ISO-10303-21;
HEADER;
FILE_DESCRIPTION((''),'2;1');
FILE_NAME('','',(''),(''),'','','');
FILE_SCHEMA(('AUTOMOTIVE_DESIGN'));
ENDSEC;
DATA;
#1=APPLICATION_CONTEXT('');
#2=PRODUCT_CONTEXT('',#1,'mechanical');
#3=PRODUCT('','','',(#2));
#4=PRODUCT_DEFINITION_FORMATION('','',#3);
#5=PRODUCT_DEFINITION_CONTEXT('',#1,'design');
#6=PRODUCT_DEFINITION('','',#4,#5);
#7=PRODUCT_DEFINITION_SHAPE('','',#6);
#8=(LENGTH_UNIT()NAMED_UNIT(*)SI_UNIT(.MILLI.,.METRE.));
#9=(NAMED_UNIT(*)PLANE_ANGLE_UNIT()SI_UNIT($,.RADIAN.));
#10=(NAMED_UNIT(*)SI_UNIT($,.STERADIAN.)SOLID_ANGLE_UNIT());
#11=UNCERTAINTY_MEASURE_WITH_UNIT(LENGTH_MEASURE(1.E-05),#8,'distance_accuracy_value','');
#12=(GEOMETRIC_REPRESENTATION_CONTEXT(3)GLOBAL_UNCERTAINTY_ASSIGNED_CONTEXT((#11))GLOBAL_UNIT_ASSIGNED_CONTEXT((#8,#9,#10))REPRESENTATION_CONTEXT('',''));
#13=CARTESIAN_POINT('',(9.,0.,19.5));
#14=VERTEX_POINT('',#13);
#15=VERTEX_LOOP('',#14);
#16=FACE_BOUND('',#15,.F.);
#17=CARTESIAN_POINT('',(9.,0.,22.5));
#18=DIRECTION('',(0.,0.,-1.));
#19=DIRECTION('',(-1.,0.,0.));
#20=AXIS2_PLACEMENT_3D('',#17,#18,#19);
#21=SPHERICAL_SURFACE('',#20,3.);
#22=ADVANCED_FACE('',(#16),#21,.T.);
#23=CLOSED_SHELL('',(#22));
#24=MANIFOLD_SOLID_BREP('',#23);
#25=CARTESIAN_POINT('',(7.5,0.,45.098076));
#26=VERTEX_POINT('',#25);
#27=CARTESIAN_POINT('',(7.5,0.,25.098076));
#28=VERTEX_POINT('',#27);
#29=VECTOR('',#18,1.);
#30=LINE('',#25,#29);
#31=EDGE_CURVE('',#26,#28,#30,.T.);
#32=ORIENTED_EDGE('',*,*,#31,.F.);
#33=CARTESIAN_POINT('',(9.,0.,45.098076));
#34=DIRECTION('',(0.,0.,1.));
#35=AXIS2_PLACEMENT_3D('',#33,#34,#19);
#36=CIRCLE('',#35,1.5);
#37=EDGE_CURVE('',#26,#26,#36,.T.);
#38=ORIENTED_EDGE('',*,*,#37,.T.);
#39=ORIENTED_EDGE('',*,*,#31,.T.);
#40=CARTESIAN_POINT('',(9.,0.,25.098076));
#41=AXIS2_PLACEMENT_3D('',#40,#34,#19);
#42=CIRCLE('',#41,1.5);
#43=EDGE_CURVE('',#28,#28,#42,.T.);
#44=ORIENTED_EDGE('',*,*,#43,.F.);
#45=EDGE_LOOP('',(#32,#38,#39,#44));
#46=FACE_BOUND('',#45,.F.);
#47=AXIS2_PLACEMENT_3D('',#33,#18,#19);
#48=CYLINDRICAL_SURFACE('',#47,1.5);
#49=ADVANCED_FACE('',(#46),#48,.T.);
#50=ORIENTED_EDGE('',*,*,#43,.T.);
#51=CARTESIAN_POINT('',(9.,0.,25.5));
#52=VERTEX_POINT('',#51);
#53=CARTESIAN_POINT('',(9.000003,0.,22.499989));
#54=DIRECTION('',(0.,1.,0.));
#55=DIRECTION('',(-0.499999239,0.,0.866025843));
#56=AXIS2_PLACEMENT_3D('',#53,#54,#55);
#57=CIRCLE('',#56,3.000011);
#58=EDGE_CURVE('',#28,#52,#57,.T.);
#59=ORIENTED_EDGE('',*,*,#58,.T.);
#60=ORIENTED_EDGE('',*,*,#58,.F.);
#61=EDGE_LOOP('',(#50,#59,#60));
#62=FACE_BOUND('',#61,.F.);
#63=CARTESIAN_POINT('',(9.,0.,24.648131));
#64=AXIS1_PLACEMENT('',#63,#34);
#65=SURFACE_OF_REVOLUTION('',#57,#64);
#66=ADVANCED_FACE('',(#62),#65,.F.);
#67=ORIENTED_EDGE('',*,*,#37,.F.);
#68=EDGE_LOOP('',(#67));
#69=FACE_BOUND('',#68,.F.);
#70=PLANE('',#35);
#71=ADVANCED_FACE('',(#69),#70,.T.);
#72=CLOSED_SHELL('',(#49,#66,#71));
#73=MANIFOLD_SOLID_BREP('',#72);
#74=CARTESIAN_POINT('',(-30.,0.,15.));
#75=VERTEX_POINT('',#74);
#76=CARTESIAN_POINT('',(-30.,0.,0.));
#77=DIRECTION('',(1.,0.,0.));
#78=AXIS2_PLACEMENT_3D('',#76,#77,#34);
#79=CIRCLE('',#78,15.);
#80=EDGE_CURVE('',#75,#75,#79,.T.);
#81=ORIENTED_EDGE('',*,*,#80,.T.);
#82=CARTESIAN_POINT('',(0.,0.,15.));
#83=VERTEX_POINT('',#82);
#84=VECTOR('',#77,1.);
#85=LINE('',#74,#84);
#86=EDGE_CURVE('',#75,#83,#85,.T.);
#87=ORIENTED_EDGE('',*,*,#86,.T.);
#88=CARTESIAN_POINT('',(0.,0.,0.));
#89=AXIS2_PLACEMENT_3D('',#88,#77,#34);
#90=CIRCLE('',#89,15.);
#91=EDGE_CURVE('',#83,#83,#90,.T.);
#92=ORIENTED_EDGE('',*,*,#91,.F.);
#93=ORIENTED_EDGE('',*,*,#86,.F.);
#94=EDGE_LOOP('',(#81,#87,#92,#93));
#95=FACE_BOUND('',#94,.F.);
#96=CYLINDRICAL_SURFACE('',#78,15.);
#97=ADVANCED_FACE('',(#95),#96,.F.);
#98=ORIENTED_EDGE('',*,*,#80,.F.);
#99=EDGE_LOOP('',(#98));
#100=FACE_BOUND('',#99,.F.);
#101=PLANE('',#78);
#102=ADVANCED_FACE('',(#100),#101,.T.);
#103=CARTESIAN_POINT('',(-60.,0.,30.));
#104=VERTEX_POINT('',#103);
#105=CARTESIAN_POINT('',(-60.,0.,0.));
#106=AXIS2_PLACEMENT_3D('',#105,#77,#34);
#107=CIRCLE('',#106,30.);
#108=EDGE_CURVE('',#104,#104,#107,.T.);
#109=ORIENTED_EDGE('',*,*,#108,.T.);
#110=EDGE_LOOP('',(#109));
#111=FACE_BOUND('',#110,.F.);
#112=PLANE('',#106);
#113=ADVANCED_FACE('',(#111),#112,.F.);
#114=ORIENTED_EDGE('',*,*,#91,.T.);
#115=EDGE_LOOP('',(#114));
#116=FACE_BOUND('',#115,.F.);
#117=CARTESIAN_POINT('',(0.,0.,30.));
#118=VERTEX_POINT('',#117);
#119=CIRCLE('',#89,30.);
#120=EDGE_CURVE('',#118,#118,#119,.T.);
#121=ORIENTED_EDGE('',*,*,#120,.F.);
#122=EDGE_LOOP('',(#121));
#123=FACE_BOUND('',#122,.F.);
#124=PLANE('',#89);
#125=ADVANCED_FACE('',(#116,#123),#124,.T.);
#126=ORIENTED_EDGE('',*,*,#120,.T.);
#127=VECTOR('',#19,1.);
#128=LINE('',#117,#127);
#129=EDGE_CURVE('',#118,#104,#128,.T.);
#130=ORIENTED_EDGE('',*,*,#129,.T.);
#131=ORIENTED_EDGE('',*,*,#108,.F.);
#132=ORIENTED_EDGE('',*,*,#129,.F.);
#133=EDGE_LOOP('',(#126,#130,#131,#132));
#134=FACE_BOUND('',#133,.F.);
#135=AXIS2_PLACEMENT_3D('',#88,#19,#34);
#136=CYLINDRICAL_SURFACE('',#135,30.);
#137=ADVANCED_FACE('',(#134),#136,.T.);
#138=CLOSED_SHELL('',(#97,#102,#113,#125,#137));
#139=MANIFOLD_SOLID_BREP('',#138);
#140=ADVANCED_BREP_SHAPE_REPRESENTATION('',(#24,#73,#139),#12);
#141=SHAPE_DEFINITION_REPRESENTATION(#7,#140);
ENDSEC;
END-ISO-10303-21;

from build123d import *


with BuildPart() as f1:
    # F0 (on Front) → F1 (revolve)
    with BuildSketch(Plane.XZ):
        Polygon((0, 30), (-60, 30), (-60, 0), (-30, 0), (-30, 15), (0, 15), align=None)
    revolve(axis=Axis((-30, 0, 0), (1, 0, 0)))


with BuildPart() as f3:
    # F2 (on Front) → F3 (revolve)
    with BuildSketch(Plane.XZ):
        with BuildLine():
            Line((9, 19.5), (9, 25.5))
            ThreePointArc((9, 25.5), (6, 22.5), (9, 19.5))
        make_face()
    revolve(axis=Axis((9, 0, 29.365131), (0, 0, 1)))


with BuildPart() as f5:
    # F4 (on Front) → F5 (revolve)
    with BuildSketch(Plane.XZ):
        with BuildLine():
            ThreePointArc((7.5, 25.098076), (8.223543, 25.397777), (9, 25.5))
            Line((9, 25.5), (9, 45.098076))
            Line((9, 45.098076), (7.5, 45.098076))
            Line((7.5, 45.098076), (7.5, 25.098076))
        make_face()
    revolve(axis=Axis((9, 0, 24.648131), (0, 0, 1)))


solid = Compound([f1.part, f3.part, f5.part])
